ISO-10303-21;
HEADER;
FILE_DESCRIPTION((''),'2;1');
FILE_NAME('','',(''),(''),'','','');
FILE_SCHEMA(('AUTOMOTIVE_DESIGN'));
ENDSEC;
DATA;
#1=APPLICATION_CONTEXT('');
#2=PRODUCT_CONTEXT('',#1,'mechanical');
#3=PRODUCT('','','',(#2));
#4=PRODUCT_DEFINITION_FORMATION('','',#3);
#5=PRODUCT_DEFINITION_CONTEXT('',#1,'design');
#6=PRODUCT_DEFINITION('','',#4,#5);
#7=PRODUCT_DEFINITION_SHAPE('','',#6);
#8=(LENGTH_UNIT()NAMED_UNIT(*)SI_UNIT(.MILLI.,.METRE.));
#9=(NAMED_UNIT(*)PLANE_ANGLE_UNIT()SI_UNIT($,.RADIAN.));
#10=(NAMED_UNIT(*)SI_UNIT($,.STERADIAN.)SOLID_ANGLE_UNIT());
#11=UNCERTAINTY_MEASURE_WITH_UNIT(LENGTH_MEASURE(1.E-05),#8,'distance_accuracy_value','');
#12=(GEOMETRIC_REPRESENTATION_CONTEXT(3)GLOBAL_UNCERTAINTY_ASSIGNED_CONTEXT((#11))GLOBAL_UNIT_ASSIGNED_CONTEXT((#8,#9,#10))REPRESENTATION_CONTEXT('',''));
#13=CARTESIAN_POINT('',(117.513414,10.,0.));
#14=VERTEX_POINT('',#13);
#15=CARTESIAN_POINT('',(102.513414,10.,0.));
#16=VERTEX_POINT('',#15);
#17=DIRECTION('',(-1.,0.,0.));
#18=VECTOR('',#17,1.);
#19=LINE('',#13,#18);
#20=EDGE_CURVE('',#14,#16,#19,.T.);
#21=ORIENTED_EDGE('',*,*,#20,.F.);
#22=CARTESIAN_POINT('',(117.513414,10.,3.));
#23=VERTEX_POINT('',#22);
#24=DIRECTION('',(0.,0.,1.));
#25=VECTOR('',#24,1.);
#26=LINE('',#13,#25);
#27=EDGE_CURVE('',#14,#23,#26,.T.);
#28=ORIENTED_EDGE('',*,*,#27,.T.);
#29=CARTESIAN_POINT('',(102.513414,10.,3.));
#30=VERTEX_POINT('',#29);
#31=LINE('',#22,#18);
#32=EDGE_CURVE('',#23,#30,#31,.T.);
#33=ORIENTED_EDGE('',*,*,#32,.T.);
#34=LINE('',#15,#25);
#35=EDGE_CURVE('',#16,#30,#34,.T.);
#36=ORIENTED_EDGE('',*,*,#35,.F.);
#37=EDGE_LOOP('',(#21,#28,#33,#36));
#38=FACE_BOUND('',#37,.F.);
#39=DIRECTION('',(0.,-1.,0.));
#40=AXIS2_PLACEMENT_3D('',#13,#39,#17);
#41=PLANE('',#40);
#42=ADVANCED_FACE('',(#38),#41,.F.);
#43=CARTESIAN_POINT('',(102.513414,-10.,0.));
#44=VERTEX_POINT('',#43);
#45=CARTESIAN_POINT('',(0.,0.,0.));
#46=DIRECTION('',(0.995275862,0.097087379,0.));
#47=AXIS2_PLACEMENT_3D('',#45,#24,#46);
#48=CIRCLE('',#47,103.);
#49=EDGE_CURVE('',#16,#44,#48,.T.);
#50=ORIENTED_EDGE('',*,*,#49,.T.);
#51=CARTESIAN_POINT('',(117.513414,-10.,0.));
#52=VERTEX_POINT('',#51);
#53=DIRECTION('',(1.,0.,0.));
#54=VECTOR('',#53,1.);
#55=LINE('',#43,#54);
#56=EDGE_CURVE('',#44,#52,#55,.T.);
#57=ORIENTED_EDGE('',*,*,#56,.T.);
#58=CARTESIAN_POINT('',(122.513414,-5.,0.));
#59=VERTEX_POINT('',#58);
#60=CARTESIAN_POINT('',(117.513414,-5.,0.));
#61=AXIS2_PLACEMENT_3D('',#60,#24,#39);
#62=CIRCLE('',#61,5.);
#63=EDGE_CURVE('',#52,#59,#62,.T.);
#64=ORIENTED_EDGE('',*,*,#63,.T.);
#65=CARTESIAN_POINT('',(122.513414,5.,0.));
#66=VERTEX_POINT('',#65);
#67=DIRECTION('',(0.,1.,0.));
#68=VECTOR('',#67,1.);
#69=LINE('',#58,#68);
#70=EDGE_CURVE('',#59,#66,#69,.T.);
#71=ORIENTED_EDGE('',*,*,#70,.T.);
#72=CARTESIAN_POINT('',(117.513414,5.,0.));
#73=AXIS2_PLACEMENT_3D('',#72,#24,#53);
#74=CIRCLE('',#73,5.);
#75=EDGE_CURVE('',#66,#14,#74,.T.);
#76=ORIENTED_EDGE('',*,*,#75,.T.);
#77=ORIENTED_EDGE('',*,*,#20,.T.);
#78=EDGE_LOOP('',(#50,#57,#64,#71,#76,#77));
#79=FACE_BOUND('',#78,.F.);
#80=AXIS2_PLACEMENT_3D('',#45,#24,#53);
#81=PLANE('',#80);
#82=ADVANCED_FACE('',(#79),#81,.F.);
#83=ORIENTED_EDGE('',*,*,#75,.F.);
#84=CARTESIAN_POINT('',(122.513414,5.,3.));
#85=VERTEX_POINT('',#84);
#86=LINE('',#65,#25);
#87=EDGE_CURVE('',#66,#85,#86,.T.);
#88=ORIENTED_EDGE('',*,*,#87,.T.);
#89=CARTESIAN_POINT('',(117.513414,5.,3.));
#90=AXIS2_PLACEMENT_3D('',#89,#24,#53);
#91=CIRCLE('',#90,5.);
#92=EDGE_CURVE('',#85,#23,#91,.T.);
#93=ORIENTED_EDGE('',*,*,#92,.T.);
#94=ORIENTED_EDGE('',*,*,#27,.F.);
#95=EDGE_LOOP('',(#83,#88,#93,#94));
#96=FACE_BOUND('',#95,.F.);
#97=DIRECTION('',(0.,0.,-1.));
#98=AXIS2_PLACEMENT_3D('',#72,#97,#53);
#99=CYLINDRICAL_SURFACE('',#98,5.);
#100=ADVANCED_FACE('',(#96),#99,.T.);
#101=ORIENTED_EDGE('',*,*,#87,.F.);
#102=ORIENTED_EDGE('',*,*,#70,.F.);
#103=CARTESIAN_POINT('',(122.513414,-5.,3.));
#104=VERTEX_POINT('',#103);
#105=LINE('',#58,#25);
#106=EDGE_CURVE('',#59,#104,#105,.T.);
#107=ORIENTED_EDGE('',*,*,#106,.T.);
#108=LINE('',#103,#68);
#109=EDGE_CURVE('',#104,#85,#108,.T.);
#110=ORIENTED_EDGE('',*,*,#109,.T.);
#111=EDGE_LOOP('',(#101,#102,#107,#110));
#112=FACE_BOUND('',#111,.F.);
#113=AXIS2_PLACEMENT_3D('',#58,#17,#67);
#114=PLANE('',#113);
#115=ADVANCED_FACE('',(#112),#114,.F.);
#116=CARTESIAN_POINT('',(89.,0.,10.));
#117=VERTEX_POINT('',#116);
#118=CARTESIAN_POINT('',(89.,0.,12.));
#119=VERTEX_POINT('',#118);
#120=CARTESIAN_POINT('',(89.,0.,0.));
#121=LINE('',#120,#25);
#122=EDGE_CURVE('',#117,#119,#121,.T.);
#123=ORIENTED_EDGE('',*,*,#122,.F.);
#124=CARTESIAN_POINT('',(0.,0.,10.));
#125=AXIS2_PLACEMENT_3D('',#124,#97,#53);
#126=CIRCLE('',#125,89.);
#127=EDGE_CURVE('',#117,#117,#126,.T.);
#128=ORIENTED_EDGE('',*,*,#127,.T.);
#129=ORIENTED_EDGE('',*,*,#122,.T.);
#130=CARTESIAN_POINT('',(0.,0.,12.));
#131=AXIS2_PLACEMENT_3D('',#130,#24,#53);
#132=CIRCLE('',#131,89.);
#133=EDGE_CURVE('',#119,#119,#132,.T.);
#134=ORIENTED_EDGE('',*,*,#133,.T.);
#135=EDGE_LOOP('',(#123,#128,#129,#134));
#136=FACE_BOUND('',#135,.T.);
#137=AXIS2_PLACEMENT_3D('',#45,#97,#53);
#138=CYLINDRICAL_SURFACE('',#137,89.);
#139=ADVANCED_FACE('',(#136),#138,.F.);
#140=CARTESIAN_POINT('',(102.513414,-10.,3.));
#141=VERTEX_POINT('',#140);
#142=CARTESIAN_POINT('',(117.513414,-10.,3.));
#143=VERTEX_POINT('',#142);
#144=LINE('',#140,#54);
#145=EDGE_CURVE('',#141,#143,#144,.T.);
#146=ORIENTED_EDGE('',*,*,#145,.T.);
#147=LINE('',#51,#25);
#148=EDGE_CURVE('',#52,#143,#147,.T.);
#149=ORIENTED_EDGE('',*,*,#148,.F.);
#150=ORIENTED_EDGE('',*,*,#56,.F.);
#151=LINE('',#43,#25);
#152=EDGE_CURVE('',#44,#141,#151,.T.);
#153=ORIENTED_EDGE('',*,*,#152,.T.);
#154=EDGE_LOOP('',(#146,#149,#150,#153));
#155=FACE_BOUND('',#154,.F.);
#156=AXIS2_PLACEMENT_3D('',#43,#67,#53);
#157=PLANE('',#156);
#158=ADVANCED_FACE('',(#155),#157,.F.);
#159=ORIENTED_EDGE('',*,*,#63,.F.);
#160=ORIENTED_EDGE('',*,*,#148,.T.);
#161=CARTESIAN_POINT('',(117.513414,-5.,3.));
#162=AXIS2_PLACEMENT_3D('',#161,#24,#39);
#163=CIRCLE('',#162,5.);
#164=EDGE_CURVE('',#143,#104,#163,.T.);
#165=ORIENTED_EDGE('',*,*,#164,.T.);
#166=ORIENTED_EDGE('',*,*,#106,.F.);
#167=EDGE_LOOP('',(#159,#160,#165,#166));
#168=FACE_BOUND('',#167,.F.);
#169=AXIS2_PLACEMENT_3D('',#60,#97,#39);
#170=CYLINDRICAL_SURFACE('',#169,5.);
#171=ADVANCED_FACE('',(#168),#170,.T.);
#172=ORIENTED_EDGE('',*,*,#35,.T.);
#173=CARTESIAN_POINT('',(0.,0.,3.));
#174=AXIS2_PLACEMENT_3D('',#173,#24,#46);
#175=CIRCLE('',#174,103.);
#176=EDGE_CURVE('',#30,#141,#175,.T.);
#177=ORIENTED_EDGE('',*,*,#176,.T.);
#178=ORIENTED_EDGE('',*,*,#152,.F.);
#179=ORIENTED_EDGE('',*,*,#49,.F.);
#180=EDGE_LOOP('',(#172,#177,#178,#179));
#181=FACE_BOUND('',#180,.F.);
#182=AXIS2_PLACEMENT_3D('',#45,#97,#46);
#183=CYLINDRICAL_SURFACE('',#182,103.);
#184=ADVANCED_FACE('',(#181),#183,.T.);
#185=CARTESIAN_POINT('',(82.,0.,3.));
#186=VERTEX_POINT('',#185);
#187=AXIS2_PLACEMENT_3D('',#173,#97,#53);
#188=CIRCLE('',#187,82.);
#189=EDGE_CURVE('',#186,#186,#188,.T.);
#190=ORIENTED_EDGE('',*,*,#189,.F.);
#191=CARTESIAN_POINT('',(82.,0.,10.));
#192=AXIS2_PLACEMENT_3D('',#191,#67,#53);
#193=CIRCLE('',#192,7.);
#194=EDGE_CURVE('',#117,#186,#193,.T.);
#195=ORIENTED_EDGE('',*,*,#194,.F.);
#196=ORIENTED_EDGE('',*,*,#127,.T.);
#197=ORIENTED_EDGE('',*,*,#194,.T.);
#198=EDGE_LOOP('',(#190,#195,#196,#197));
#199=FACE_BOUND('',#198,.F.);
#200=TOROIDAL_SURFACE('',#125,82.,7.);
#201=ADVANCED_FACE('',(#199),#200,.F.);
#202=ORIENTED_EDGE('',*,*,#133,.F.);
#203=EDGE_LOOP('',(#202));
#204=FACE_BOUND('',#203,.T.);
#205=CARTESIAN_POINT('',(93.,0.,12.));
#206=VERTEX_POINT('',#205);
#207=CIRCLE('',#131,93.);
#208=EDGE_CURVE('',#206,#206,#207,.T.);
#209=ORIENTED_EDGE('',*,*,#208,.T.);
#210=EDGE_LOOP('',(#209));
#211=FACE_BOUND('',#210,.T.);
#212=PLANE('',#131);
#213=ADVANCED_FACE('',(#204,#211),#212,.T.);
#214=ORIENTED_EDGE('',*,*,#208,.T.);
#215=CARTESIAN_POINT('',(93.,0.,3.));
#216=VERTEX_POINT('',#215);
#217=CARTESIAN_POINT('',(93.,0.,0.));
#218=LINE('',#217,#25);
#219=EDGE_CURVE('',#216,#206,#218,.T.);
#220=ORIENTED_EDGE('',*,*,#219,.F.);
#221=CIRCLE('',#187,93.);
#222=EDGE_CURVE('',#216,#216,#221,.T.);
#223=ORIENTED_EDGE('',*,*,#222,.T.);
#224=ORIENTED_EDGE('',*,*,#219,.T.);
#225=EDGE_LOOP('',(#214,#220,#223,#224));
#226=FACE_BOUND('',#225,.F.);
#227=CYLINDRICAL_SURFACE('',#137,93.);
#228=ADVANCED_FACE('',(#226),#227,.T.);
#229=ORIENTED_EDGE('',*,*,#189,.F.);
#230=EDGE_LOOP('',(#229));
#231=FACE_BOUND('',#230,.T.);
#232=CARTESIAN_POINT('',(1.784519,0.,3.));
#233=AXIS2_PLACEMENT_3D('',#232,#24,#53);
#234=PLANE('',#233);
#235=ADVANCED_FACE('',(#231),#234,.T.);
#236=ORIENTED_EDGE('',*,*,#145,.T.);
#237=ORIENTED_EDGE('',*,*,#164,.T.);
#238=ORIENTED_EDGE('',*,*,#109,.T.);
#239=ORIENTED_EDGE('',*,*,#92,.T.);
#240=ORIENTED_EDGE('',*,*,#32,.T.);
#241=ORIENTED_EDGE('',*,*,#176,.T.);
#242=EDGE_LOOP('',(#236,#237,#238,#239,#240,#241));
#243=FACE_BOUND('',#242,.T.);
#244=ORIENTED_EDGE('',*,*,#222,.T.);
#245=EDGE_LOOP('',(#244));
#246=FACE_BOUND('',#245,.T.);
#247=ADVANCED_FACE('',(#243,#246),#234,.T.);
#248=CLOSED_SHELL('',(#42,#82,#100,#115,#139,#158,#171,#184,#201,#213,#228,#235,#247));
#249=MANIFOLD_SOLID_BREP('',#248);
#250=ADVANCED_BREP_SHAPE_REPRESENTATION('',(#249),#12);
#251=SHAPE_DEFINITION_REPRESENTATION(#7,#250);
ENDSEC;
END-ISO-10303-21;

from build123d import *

# Parameters (mm, degrees)
F0_R     = 93
F0_R_2   = 89
F1_DEPTH = 3
F2_DEPTH = 12
F3_R     = 7


with BuildPart() as f1:
    # F0 (on Top) → F1 (new body)
    with BuildSketch(Plane.XY):
        with BuildLine():
            ThreePointArc((102.5134137564, -10), (102.8782815197, -5.0059156548), (103, 0))
            ThreePointArc((103, 0), (102.8782815197, 5.0059156548), (102.5134137564, 10))
            ThreePointArc((102.5134137564, 10), (-103, 0), (102.5134137564, -10))
        make_face()
        Circle(F0_R, mode=Mode.SUBTRACT)
        Circle(F0_R)
        Circle(F0_R_2, mode=Mode.SUBTRACT)
        Circle(F0_R_2)
        with BuildLine():
            ThreePointArc((102.5134137564, 10), (102.8782815197, 5.0059156548), (103, 0))
            ThreePointArc((103, 0), (102.8782815197, -5.0059156548), (102.5134137564, -10))
            Line((102.5134137564, -10), (117.5134137564, -10))
            ThreePointArc((117.5134137564, -10), (121.0489476624, -8.5355339059), (122.5134137564, -5))
            Line((122.5134137564, -5), (122.5134137564, 0))
            Line((122.5134137564, 0), (122.5134137564, 5))
            ThreePointArc((122.5134137564, 5), (121.0489476624, 8.5355339059), (117.5134137564, 10))
            Line((117.5134137564, 10), (102.5134137564, 10))
        make_face()
    extrude(amount=F1_DEPTH)

    # F0 (on Top) → F2 (join)
    with BuildSketch(Plane.XY):
        Circle(F0_R)
        Circle(F0_R_2, mode=Mode.SUBTRACT)
    extrude(amount=F2_DEPTH)

    # F3
    f3_edges = [f1.edges().sort_by_distance(p)[0] for p in [
        (-89, 0, 3),
    ]]
    fillet(f3_edges, radius=F3_R)


solid = f1.part
